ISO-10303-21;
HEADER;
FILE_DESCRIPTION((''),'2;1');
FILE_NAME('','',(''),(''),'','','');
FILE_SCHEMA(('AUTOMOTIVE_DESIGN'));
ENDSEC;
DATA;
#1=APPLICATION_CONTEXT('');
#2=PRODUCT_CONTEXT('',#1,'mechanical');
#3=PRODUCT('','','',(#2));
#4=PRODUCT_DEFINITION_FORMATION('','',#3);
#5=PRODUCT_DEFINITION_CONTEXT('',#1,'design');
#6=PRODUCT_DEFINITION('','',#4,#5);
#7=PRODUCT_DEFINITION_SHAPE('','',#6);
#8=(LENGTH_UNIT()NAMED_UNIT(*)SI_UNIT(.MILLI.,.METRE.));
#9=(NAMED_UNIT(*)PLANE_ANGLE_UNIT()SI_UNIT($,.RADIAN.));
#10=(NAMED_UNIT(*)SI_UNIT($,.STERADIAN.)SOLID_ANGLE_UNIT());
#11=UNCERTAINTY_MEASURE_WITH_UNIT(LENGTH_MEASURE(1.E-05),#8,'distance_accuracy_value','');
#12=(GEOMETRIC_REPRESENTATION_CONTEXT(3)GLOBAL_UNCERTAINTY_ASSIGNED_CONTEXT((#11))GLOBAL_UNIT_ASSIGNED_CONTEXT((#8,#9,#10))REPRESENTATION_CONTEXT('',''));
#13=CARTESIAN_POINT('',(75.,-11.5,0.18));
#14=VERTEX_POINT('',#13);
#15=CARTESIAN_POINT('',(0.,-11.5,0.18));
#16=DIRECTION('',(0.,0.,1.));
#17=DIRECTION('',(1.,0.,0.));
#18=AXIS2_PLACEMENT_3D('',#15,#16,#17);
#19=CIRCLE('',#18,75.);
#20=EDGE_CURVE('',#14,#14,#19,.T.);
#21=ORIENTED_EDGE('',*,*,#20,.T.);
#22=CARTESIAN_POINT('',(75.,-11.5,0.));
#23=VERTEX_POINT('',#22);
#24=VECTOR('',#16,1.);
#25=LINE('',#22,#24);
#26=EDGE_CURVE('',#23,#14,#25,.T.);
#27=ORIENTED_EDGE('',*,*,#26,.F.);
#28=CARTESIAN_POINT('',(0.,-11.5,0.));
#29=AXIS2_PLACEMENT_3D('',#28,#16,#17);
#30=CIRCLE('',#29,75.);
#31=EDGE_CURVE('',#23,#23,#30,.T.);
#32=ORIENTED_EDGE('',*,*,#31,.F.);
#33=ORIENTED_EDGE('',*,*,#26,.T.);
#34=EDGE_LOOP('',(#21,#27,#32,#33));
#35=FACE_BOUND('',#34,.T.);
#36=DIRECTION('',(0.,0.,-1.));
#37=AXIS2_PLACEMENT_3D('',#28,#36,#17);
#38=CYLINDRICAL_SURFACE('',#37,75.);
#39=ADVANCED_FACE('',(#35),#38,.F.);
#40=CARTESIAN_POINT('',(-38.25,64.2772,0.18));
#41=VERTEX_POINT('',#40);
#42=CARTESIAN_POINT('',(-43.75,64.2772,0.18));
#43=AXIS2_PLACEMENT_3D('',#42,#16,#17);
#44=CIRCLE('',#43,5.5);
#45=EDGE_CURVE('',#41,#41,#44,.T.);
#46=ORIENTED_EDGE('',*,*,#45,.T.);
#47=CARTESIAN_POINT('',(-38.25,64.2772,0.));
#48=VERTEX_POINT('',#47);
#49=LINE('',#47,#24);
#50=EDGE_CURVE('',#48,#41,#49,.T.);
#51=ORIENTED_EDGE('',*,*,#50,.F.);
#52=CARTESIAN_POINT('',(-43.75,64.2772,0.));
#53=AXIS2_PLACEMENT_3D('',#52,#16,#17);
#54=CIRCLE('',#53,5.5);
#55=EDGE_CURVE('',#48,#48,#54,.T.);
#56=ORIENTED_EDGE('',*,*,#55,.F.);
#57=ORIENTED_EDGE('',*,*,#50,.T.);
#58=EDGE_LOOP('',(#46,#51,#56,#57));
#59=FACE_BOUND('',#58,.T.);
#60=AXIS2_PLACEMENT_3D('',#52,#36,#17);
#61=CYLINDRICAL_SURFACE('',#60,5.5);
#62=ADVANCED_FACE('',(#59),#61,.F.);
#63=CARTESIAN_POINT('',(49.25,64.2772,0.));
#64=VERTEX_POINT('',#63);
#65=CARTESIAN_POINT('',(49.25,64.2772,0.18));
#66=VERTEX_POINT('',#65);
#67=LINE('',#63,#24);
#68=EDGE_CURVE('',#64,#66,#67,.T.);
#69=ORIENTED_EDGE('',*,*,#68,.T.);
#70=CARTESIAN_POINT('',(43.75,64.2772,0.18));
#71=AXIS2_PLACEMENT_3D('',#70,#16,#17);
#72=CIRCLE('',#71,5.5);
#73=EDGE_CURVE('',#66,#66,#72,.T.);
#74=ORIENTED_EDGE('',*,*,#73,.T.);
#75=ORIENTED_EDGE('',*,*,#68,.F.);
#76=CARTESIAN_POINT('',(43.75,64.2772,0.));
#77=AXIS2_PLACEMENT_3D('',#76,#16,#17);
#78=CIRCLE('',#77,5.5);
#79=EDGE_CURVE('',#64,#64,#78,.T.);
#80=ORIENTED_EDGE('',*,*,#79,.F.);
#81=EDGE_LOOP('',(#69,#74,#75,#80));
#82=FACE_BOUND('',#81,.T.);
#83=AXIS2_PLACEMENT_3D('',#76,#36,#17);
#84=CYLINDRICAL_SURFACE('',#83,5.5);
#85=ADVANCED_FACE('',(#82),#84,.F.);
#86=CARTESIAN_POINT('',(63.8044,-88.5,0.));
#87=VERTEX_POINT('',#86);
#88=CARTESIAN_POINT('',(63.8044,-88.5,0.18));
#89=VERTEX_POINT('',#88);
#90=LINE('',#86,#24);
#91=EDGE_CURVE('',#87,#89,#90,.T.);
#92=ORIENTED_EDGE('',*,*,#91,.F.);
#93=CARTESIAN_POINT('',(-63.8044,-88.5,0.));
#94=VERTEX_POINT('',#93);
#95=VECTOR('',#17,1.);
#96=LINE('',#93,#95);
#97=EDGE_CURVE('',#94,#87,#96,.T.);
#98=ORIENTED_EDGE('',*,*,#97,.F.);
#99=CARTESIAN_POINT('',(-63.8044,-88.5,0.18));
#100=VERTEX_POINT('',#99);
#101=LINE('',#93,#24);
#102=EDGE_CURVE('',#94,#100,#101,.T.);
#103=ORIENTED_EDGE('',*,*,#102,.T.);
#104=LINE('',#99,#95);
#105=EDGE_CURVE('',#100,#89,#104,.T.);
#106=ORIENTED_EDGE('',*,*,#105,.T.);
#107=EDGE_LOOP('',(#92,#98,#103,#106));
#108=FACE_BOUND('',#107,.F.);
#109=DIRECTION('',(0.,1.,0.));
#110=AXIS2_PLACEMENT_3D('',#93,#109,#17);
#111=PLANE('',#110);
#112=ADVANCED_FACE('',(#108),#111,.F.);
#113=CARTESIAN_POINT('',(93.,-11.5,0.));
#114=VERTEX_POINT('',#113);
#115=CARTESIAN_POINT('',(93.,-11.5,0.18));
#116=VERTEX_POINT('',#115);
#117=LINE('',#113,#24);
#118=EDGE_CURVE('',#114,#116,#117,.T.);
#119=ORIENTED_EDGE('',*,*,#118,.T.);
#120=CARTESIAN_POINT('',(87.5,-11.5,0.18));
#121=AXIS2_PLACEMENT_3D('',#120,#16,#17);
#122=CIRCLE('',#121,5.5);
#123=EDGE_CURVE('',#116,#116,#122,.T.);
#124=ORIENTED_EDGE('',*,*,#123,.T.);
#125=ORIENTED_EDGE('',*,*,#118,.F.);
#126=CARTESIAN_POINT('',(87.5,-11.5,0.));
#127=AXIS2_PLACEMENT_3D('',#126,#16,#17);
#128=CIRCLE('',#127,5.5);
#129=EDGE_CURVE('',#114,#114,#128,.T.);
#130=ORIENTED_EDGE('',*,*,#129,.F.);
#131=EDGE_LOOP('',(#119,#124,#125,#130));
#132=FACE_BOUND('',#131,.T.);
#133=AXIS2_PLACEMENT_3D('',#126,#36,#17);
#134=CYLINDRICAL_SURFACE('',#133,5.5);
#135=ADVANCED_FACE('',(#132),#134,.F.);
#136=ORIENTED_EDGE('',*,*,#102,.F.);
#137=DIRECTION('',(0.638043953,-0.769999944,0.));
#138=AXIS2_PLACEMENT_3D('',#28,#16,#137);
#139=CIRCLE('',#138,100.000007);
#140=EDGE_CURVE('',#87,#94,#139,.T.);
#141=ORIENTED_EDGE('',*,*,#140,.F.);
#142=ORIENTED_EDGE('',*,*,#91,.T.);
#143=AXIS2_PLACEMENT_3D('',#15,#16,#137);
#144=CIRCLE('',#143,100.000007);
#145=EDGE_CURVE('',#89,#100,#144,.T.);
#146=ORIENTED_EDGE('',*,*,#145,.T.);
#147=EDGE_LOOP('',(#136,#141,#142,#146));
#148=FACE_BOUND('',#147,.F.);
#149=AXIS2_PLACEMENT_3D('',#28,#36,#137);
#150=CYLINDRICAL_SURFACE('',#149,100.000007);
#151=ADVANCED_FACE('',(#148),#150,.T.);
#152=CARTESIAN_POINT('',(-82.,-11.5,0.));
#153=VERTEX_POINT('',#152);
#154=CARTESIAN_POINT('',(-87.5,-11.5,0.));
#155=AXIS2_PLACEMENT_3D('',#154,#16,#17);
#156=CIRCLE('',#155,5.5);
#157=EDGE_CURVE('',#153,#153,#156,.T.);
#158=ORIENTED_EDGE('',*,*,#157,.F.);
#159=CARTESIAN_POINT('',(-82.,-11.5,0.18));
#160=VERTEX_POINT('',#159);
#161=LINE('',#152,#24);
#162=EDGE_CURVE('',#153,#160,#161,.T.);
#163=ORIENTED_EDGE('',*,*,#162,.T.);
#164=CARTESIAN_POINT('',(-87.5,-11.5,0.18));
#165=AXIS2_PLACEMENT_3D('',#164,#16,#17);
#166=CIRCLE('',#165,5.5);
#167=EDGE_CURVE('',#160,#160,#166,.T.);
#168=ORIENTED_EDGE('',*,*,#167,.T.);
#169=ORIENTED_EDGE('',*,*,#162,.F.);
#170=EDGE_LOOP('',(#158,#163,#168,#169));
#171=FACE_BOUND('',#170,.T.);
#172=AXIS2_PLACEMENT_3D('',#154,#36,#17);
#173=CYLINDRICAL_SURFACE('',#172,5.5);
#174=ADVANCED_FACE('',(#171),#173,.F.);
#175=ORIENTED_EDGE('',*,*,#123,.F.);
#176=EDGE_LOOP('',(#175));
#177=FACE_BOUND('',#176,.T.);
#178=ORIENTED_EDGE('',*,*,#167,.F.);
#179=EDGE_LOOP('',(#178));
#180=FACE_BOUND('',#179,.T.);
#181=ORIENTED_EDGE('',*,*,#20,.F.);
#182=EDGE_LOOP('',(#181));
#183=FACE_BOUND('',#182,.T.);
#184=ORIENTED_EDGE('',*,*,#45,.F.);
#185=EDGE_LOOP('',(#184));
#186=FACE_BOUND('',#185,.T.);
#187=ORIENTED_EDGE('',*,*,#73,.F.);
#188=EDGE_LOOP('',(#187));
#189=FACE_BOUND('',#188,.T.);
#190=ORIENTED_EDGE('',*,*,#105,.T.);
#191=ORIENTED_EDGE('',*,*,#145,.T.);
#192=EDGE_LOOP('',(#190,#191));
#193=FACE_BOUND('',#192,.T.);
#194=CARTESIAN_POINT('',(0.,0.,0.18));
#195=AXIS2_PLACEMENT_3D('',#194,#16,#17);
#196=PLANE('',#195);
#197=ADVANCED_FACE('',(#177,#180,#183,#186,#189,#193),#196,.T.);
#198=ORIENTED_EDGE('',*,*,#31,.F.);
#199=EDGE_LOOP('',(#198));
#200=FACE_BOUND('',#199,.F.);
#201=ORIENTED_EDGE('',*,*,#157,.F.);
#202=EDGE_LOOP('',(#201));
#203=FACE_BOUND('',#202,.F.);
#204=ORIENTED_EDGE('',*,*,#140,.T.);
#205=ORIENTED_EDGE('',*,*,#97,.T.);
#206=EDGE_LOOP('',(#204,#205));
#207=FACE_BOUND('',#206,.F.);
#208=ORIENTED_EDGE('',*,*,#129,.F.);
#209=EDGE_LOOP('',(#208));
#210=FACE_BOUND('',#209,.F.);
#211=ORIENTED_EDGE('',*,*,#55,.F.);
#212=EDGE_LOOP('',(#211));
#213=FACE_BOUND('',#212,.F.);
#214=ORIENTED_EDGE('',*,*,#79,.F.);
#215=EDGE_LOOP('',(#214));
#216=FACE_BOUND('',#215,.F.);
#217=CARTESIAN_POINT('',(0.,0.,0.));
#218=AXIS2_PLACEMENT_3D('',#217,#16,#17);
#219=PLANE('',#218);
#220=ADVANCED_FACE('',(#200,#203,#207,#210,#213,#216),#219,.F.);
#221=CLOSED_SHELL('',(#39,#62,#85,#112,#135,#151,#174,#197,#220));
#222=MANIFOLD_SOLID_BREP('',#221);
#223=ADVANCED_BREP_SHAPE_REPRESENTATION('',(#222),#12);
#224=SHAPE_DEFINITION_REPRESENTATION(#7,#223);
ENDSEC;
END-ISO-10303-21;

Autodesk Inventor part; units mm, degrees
ref_plane "YZ Plane" through (0, 0, 0) normal (1, 0, 0) x (0, 1, 0)
ref_plane "XZ Plane" through (0, 0, 0) normal (0, 1, 0) x (-1, 0, 0)
ref_plane "工作平面1" through (0, 0, 0) normal (0, 0, 1) x (1, 0, 0)
sketch "草图1" plane through (0, 0, 0) normal (0, 0, 1) x (1, 0, 0)
  circle A0 centre (0, -11.5) radius 75 projected
  line L0 (-63.8044, -88.5) -> (63.8044, -88.5) projected
  arc A1 (63.8044, -88.5) -> (-63.8044, -88.5) centre (0, -11.5) ccw projected
  circle A2 centre (87.5, -11.5) radius 5.5 projected
  circle A3 centre (43.75, 64.2772) radius 5.5 projected
  circle A4 centre (-87.5, -11.5) radius 5.5 projected
  circle A5 centre (-43.75, 64.2772) radius 5.5 projected
  point P0 (0, 0)
extrude "拉伸1" add sketch "草图1" along normal blind 0.18
properties part number "垫片3"
